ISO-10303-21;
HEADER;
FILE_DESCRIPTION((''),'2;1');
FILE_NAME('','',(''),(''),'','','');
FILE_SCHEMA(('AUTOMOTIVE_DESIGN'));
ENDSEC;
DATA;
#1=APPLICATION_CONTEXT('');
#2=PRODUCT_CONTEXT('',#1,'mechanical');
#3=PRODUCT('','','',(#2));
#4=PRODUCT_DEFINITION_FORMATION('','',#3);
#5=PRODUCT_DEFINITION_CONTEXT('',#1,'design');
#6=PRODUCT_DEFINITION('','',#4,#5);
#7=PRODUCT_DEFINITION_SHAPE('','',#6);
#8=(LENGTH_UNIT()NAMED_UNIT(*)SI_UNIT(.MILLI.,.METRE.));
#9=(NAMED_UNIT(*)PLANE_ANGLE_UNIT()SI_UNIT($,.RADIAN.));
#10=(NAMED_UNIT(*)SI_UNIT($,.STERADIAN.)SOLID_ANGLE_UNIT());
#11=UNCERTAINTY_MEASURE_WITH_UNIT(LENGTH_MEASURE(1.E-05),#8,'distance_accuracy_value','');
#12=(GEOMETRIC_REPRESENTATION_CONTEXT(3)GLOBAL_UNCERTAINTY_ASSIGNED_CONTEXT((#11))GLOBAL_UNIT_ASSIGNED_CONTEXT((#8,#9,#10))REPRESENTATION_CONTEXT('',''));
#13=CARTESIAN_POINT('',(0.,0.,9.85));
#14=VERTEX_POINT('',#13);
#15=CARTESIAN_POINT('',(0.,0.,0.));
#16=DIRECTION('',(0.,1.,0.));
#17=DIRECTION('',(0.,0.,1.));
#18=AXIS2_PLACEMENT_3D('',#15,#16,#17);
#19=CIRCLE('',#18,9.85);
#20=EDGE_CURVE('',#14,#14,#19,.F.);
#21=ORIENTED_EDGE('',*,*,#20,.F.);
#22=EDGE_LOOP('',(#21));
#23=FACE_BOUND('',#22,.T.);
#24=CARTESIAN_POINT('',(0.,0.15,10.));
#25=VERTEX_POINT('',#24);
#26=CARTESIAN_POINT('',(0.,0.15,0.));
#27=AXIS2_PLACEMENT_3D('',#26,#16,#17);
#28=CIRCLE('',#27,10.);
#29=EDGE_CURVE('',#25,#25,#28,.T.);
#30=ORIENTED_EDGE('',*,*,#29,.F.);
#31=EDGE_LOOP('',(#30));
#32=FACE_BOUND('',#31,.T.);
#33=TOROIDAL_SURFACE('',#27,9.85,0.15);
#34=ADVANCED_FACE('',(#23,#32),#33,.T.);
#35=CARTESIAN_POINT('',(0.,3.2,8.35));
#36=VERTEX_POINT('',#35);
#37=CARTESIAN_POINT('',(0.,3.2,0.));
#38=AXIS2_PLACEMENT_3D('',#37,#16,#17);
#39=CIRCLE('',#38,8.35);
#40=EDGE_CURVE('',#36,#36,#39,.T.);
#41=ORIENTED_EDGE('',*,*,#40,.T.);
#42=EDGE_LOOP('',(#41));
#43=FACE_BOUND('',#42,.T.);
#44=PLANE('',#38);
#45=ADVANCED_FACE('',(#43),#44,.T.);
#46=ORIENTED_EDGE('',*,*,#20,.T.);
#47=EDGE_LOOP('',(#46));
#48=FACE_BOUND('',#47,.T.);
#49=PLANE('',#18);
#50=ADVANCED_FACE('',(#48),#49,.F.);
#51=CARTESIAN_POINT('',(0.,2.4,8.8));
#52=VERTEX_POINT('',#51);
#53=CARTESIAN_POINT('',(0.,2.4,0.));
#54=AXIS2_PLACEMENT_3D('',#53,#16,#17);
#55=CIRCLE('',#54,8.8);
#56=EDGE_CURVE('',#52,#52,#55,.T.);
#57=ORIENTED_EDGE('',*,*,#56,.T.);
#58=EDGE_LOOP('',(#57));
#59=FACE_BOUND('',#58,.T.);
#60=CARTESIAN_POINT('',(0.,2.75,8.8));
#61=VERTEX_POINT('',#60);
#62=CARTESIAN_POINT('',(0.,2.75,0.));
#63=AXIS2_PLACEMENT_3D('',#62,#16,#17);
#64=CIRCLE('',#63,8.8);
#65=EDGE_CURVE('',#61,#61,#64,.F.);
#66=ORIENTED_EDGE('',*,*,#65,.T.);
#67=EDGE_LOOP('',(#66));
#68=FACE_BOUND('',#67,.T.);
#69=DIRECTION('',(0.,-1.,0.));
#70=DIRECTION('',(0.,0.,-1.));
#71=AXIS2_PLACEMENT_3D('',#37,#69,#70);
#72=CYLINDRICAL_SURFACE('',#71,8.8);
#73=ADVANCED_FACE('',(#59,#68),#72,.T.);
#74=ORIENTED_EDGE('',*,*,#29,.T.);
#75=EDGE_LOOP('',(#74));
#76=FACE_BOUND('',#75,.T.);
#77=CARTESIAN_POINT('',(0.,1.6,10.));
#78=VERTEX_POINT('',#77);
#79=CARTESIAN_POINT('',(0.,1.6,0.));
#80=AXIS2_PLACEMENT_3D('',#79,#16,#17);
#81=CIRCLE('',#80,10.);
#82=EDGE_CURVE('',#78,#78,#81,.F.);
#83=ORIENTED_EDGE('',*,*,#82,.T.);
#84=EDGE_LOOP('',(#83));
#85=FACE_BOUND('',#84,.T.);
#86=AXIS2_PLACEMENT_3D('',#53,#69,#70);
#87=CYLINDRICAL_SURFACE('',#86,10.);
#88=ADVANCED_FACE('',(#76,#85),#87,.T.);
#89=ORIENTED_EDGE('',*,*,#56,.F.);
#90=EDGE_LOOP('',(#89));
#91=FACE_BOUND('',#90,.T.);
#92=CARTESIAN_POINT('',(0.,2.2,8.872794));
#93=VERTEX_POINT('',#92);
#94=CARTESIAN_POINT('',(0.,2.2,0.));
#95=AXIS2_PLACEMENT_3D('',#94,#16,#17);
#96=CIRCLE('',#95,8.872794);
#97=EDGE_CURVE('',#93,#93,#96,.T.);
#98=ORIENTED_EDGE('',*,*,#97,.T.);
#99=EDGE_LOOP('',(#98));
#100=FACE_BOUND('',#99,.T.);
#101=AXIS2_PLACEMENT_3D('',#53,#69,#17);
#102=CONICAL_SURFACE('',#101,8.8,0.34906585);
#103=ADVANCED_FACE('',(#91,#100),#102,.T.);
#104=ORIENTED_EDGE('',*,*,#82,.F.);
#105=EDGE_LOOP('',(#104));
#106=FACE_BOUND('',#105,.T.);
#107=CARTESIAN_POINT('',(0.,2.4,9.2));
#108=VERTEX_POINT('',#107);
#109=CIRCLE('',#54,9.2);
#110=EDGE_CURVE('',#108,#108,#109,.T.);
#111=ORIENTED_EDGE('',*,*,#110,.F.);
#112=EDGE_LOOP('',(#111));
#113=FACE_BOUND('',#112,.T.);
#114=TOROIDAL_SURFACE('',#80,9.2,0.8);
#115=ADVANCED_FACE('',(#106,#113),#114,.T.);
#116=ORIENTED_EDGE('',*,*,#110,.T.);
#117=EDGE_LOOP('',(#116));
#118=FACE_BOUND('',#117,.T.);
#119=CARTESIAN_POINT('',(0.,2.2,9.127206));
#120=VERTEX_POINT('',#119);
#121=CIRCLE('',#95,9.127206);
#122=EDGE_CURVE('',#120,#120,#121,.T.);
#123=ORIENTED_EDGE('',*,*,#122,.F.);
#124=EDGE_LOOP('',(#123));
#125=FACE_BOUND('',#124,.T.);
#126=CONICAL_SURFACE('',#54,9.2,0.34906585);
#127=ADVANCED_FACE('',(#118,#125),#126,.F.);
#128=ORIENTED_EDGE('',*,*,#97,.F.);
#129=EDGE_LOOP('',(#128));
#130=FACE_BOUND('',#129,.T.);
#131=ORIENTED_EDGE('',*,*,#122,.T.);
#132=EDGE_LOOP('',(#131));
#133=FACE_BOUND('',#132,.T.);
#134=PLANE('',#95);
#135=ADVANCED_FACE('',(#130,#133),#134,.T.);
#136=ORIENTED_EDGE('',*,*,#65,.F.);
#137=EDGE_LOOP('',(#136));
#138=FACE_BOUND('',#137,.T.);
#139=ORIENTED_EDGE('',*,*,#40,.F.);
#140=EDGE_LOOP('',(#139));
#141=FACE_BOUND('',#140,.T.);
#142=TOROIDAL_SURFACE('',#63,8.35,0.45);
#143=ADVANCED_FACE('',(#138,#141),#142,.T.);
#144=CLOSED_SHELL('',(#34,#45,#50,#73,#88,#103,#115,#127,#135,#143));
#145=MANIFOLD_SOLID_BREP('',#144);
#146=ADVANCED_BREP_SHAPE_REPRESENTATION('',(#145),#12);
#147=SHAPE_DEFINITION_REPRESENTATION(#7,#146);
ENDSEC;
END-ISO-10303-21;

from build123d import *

# Parameters (mm, degrees)
SKETCH1_R          = 10
EXTRUDE1_DEPTH     = 2.4
SKETCH2_R          = 8.8
EXTRUDE2_DEPTH     = 3.2
FILLET1_R          = 0.8
FILLET2_R          = 0.15
FILLET3_R          = 0.45
SKETCH3_R          = 9.2
SKETCH3_R_2        = 8.8
CUT_EXTRUDE2_DEPTH = 0.2
CUT_EXTRUDE2_TAPER = 20


with BuildPart() as part:
    # Sketch1 → Extrude1 (new body)
    with BuildSketch(Plane(origin=(0, 0, 0), x_dir=(1, 0, 0), z_dir=(0, 1, 0))):
        Circle(SKETCH1_R)
    extrude(amount=EXTRUDE1_DEPTH)

    # Sketch2 → Extrude2 (add)
    with BuildSketch(Plane(origin=(0, 0, 0), x_dir=(1, 0, 0), z_dir=(0, 1, 0))):
        Circle(SKETCH2_R)
    extrude(amount=EXTRUDE2_DEPTH)

    # Fillet1
    fillet1_edges = [part.edges().sort_by_distance(p)[0] for p in [
        (-10, 2.4, 0),
    ]]
    fillet(fillet1_edges, radius=FILLET1_R)

    # Fillet2
    fillet2_edges = [part.edges().sort_by_distance(p)[0] for p in [
        (-10, 0, 0),
    ]]
    fillet(fillet2_edges, radius=FILLET2_R)

    # Fillet3
    fillet3_edges = [part.edges().sort_by_distance(p)[0] for p in [
        (-8.8, 3.2, 0),
    ]]
    fillet(fillet3_edges, radius=FILLET3_R)

    # Sketch3 → Cut-Extrude2 (cut)
    with BuildSketch(Plane(origin=(0, 2.4, 0), x_dir=(-1, 0, 0), z_dir=(0, 1, 0))):
        Circle(SKETCH3_R)
        Circle(SKETCH3_R_2, mode=Mode.SUBTRACT)
    extrude(amount=-CUT_EXTRUDE2_DEPTH, taper=CUT_EXTRUDE2_TAPER, mode=Mode.SUBTRACT)


solid = part.part
